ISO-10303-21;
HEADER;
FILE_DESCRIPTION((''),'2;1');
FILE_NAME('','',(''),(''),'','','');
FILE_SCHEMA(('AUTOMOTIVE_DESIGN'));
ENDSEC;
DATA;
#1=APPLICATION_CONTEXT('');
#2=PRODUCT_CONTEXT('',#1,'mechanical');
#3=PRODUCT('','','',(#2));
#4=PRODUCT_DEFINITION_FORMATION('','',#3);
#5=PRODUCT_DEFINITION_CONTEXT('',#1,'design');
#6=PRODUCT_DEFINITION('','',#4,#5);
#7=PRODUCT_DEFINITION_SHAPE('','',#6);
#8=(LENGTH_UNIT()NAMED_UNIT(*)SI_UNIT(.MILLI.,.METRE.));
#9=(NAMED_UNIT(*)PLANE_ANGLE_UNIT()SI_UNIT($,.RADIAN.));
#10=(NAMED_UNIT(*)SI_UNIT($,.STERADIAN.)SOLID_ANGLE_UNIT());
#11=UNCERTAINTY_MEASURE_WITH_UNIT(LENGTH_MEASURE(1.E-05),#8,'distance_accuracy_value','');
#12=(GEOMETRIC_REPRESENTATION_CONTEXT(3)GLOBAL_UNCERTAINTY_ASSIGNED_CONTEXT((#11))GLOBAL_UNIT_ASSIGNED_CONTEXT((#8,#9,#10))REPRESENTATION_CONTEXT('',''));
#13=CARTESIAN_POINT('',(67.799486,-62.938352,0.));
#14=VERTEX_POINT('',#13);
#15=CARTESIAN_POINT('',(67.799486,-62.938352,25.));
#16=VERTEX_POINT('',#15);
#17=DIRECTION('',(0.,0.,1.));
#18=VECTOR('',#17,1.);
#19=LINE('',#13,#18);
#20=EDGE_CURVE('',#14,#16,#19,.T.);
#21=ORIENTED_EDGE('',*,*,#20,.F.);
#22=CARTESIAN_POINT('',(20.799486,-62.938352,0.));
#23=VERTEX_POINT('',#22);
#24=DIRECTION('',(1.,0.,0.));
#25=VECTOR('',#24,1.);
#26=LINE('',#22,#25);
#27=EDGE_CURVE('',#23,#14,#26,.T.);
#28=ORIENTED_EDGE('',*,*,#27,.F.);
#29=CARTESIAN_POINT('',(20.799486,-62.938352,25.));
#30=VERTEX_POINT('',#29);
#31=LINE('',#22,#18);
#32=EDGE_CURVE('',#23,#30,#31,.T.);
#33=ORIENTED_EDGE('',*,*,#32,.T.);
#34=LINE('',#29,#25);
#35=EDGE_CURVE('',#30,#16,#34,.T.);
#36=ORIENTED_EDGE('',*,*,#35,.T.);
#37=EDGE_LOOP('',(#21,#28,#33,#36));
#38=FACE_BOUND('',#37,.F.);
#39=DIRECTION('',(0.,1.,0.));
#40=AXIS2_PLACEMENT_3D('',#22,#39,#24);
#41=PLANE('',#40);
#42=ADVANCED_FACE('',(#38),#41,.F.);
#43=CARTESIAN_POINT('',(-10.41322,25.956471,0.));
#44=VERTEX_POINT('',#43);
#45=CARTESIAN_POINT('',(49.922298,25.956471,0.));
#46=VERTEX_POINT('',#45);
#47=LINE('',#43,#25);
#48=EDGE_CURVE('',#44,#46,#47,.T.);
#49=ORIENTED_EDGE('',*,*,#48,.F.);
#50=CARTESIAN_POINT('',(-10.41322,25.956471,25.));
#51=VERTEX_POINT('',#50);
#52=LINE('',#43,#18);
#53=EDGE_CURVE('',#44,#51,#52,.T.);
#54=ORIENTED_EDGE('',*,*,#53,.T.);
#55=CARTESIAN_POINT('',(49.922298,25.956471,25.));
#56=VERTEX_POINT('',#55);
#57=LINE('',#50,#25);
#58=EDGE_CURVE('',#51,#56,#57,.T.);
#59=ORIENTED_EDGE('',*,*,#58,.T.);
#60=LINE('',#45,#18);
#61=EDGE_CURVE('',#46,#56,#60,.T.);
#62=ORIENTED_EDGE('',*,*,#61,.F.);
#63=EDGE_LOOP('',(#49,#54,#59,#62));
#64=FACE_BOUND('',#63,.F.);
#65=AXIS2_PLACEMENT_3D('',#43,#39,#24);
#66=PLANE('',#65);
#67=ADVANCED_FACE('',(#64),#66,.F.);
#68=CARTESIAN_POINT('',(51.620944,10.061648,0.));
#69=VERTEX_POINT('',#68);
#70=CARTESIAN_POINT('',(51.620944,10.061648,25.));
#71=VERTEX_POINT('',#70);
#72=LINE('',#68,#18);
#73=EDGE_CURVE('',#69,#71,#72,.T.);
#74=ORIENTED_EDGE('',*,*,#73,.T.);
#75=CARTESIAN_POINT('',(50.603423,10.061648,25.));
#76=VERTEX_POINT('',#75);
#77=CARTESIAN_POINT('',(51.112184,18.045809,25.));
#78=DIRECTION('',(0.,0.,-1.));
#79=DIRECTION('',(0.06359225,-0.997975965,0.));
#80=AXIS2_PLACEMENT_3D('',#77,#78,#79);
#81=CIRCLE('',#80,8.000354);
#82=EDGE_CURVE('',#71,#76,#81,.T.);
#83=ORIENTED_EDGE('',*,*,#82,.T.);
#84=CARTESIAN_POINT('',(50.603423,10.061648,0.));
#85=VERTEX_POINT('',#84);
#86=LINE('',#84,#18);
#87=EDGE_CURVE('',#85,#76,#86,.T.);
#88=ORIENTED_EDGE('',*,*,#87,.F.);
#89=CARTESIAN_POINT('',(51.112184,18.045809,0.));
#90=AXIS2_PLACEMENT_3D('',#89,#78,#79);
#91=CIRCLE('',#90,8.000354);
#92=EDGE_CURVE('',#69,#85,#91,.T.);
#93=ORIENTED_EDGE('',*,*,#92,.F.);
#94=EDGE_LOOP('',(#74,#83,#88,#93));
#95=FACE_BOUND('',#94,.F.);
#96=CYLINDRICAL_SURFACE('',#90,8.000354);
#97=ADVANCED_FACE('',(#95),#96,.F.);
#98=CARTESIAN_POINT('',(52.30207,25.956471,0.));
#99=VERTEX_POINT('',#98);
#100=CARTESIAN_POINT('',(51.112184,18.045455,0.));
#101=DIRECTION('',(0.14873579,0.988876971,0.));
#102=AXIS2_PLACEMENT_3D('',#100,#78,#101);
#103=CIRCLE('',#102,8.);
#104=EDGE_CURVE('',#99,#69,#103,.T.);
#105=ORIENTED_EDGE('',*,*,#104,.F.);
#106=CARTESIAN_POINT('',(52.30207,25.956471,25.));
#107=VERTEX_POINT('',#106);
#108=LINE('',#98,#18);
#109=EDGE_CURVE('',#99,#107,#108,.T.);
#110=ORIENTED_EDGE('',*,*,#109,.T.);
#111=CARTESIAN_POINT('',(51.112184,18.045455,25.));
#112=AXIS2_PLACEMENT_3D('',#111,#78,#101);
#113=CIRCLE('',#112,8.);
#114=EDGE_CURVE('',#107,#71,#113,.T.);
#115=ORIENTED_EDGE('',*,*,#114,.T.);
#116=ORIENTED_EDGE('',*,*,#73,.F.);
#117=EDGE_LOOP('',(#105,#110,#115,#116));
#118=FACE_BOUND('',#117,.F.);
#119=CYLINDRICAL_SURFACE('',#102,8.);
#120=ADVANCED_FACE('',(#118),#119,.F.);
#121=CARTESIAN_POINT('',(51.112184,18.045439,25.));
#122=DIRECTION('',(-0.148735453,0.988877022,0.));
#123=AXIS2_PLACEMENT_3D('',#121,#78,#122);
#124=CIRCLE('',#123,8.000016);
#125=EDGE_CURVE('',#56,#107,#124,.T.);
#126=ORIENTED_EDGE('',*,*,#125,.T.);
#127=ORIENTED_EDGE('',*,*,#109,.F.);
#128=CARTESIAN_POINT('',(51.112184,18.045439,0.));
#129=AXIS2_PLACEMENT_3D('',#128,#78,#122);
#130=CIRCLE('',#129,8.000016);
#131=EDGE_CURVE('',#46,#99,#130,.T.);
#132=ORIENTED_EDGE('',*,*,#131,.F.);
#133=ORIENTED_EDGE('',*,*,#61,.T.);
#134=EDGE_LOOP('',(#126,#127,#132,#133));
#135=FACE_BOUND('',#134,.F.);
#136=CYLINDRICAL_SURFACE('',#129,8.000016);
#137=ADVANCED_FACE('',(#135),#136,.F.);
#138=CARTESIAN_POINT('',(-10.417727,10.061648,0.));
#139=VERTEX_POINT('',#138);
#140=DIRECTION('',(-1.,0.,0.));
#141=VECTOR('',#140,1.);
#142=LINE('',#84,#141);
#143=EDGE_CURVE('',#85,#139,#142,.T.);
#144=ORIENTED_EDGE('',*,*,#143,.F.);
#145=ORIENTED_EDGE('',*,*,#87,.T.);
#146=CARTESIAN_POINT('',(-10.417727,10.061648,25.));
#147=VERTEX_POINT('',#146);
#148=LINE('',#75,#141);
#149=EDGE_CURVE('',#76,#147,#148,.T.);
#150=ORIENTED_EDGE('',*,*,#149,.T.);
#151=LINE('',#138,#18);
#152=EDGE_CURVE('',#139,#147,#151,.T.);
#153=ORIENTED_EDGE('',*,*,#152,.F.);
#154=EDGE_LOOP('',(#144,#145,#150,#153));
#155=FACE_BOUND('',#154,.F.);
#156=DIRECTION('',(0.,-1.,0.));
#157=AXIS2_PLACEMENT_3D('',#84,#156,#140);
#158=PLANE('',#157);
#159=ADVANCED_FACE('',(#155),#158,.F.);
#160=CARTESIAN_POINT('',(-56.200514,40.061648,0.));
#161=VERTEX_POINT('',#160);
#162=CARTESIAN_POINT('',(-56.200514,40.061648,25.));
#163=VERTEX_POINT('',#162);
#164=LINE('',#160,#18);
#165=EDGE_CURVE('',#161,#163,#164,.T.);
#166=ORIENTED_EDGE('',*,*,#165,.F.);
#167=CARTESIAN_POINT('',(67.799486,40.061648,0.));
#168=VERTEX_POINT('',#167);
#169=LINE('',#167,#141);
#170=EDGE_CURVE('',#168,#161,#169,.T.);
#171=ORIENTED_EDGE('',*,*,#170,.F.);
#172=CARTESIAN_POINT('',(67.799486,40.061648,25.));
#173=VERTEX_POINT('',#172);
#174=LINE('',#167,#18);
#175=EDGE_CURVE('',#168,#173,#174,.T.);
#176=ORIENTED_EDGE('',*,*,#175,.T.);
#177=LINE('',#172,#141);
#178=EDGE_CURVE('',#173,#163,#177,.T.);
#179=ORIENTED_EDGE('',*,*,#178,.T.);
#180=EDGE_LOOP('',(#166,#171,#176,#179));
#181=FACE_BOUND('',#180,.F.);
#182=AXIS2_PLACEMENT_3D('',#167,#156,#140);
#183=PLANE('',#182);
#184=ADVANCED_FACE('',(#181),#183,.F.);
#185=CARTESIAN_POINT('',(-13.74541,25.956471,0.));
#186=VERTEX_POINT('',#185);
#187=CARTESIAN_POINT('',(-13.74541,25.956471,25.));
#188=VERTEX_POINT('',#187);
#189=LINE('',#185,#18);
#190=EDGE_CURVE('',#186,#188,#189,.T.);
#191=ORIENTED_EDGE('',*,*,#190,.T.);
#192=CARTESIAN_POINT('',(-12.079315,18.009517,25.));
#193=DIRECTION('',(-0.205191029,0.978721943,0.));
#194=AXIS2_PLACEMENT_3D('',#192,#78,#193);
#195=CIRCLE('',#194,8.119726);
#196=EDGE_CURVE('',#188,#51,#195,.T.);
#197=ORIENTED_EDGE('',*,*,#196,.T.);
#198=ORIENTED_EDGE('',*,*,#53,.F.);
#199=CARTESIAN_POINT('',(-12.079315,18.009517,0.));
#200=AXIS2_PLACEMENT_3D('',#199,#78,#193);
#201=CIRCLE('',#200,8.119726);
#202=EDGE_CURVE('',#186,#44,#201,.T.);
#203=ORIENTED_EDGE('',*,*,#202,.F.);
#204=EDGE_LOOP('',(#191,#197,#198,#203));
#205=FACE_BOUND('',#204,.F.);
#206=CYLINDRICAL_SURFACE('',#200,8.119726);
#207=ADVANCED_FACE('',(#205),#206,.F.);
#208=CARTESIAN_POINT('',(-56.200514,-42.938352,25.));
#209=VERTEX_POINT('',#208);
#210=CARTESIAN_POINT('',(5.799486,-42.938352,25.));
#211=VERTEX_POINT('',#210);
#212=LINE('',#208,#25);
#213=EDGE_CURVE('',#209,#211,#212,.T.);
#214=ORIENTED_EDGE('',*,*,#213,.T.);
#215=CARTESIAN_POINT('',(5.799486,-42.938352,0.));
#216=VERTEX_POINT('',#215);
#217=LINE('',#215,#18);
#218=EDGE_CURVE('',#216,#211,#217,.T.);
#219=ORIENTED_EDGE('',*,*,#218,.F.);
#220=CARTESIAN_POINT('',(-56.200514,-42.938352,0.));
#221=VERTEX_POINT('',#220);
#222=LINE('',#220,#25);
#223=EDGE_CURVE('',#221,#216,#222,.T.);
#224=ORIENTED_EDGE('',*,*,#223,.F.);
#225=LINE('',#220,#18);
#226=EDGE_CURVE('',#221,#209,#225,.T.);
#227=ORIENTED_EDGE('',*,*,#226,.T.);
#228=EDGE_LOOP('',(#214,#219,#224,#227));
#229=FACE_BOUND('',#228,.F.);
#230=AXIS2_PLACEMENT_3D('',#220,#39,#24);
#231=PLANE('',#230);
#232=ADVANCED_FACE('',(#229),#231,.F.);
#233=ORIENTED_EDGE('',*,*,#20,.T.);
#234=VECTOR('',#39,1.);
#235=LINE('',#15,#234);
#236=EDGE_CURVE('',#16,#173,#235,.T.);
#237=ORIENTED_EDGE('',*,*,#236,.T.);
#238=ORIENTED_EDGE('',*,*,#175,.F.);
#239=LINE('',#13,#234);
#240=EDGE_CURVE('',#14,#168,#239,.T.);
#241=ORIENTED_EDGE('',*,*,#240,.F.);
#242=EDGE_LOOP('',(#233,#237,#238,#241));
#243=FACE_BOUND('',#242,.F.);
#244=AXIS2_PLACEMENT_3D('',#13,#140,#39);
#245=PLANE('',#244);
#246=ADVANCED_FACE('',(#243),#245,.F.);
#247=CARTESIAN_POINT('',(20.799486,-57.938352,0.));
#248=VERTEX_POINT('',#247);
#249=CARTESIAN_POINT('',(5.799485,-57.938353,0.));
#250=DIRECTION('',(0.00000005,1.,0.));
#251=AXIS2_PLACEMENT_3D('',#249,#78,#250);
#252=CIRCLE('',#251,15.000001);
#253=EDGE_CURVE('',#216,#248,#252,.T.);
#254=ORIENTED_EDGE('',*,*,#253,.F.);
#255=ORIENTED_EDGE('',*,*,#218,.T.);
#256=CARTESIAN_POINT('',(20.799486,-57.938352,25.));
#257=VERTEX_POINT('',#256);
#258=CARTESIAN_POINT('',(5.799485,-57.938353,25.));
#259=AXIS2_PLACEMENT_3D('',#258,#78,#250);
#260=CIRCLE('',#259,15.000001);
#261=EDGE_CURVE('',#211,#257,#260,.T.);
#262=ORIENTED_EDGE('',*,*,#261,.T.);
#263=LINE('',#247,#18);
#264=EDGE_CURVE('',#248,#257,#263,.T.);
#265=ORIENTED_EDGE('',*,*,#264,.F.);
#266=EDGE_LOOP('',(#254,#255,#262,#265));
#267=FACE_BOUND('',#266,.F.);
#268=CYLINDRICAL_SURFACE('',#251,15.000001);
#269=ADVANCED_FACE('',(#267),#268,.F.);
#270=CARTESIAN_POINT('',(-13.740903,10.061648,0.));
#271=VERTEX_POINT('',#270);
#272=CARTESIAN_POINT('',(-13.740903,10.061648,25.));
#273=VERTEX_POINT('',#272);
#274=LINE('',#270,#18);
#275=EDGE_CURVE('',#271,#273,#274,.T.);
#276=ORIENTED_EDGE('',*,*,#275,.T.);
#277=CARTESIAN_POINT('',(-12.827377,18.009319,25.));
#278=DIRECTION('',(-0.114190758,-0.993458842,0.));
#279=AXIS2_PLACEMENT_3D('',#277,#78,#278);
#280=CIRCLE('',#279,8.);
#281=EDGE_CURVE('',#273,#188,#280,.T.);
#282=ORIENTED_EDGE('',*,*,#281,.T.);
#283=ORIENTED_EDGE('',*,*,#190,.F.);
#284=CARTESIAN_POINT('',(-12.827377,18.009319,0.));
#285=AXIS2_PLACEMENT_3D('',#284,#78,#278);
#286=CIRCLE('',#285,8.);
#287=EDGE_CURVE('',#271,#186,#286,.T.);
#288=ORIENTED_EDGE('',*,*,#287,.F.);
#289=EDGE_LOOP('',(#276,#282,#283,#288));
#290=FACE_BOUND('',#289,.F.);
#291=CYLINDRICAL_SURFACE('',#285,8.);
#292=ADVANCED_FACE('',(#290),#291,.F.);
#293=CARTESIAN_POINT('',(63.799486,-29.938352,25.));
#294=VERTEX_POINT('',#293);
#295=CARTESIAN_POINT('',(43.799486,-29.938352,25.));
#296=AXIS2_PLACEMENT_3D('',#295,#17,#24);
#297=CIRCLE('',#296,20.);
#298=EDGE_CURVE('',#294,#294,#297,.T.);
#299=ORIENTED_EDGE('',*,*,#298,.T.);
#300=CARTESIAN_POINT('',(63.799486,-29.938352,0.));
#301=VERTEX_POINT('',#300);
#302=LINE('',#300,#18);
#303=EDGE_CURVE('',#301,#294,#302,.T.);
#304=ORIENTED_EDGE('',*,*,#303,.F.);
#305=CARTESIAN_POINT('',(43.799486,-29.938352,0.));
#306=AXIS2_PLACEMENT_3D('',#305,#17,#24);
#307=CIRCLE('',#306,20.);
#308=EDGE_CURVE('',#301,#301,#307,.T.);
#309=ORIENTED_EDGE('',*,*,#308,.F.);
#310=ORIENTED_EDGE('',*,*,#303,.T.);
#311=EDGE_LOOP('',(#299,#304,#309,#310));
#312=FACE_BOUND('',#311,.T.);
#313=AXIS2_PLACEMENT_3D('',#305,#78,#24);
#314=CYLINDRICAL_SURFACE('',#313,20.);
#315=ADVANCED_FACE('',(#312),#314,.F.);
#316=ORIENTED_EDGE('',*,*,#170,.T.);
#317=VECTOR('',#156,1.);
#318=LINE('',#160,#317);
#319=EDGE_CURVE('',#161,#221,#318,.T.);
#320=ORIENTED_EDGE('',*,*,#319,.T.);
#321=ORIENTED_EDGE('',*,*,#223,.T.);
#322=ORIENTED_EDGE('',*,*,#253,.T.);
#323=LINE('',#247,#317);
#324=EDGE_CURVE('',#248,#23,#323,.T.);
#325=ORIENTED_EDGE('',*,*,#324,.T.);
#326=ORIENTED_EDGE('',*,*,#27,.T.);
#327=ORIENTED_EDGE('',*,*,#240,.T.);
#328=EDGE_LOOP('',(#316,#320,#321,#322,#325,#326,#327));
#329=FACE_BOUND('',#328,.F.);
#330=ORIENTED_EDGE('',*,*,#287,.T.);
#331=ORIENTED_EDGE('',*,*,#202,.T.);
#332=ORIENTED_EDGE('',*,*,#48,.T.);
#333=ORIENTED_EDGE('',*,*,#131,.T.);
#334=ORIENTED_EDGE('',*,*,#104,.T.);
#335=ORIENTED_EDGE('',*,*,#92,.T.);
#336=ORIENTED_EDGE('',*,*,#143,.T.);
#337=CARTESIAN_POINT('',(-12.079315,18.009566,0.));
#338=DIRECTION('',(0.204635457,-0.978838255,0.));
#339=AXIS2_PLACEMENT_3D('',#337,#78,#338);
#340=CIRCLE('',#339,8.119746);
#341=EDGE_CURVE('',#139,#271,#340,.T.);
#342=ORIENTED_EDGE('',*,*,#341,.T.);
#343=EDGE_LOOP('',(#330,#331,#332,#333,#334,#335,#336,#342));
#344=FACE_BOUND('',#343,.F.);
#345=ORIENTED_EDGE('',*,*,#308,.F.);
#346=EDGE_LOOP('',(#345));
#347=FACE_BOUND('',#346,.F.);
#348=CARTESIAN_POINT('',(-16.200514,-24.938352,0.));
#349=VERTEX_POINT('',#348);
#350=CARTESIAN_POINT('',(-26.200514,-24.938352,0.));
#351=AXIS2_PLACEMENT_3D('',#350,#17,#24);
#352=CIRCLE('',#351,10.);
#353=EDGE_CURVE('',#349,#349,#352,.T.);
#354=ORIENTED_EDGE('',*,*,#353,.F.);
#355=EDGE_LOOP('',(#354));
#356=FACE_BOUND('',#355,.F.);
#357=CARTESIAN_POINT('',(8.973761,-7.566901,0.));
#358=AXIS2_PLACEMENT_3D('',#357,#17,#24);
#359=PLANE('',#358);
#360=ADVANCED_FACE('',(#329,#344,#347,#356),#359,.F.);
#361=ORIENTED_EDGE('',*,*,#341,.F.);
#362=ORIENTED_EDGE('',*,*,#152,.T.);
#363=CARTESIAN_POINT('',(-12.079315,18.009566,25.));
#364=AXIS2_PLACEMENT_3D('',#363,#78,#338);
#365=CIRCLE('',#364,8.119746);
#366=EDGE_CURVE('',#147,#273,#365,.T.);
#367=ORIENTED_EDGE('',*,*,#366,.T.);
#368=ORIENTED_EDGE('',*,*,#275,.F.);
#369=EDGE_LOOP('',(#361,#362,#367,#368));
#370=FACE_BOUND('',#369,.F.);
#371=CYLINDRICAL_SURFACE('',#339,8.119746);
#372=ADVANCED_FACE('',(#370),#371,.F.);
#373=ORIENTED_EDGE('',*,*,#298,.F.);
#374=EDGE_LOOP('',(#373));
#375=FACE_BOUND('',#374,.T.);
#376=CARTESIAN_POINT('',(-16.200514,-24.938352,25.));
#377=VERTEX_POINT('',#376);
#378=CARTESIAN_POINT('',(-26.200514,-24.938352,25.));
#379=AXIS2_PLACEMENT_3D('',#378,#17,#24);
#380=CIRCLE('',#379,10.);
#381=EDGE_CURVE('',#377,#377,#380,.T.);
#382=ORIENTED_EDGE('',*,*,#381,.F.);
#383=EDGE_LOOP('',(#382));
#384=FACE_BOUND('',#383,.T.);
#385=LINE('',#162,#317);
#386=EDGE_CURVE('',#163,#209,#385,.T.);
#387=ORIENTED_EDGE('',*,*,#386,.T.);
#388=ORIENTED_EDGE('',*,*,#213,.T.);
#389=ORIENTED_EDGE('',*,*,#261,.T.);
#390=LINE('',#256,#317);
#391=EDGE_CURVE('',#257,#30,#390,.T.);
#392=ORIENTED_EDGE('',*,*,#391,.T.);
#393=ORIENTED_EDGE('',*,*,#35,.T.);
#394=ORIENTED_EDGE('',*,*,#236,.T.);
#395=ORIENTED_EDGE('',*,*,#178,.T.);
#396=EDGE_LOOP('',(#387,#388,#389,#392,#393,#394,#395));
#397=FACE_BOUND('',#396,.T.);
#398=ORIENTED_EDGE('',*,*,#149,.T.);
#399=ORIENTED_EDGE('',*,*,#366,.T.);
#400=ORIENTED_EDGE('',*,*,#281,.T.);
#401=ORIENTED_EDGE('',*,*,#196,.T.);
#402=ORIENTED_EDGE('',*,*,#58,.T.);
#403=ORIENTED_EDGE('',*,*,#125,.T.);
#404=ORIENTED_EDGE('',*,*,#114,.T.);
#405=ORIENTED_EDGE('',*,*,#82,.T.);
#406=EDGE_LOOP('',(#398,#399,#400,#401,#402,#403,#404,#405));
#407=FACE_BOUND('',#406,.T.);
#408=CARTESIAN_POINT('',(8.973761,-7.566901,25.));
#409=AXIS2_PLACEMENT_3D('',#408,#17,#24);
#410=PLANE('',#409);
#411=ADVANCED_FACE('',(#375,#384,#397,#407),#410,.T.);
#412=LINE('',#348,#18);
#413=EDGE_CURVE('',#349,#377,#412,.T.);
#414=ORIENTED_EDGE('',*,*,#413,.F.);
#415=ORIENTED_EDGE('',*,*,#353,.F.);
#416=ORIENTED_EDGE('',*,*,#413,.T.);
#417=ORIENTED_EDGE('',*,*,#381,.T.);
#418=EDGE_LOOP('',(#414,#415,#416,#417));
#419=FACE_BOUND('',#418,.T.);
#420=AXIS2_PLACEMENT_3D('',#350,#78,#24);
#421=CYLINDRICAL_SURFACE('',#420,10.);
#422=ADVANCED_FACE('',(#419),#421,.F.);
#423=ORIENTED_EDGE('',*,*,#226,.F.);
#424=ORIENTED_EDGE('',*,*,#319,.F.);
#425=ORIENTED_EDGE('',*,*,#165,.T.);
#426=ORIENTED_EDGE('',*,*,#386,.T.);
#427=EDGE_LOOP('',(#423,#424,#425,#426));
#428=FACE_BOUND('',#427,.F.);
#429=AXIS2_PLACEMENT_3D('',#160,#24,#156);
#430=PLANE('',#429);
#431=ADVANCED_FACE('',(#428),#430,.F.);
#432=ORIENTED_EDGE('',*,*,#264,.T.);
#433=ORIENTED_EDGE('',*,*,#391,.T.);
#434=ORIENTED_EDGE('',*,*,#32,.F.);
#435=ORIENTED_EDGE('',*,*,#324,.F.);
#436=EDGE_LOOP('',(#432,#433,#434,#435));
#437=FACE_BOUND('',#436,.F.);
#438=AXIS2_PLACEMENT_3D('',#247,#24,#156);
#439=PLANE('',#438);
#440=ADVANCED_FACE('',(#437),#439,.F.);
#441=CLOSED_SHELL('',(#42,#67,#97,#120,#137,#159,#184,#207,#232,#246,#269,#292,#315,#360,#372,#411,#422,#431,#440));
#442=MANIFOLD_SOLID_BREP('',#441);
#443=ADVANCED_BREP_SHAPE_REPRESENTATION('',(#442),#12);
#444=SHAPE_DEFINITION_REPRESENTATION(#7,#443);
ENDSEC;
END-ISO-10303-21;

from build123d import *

# Parameters (mm, degrees)
F0_R     = 10
F0_R_2   = 20
F1_DEPTH = 25


with BuildPart() as f1:
    # F0 (on Top) → F1 (new body)
    with BuildSketch(Plane.XY):
        with BuildLine():
            Line((67.799486, 40.061648), (-56.200514, 40.061648))
            Line((-56.200514, 40.061648), (-56.200514, -42.938352))
            Line((-56.200514, -42.938352), (-26.200514, -42.938352))
            Line((-26.200514, -42.938352), (5.799486, -42.938352))
            ThreePointArc((5.799486, -42.938352), (16.406087, -47.33175), (20.799486, -57.938352))
            Line((20.799486, -57.938352), (20.799486, -62.938352))
            Line((20.799486, -62.938352), (67.799486, -62.938352))
            Line((67.799486, -62.938352), (67.799486, 26.061648))
            Line((67.799486, 26.061648), (67.799486, 40.061648))
        make_face()
        with Locations((-26.200514, -24.938352)):
            Circle(F0_R, mode=Mode.SUBTRACT)
        with Locations((43.799486, -29.938352)):
            Circle(F0_R_2, mode=Mode.SUBTRACT)
        with BuildLine():
            ThreePointArc((49.922298, 25.956471), (51.112184, 26.045455), (52.30207, 25.956471))
            ThreePointArc((52.30207, 25.956471), (59.104849, 17.702953), (51.620944, 10.061648))
            ThreePointArc((51.620944, 10.061648), (51.112184, 10.045455), (50.603423, 10.061648))
            Line((50.603423, 10.061648), (-10.417727, 10.061648))
            ThreePointArc((-10.417727, 10.061648), (-12.079315, 9.88982), (-13.740903, 10.061648))
            ThreePointArc((-13.740903, 10.061648), (-20.827377, 18.007051), (-13.74541, 25.956471))
            ThreePointArc((-13.74541, 25.956471), (-12.079315, 26.129243), (-10.41322, 25.956471))
            Line((-10.41322, 25.956471), (49.922298, 25.956471))
        make_face(mode=Mode.SUBTRACT)
    extrude(amount=F1_DEPTH)


solid = f1.part
